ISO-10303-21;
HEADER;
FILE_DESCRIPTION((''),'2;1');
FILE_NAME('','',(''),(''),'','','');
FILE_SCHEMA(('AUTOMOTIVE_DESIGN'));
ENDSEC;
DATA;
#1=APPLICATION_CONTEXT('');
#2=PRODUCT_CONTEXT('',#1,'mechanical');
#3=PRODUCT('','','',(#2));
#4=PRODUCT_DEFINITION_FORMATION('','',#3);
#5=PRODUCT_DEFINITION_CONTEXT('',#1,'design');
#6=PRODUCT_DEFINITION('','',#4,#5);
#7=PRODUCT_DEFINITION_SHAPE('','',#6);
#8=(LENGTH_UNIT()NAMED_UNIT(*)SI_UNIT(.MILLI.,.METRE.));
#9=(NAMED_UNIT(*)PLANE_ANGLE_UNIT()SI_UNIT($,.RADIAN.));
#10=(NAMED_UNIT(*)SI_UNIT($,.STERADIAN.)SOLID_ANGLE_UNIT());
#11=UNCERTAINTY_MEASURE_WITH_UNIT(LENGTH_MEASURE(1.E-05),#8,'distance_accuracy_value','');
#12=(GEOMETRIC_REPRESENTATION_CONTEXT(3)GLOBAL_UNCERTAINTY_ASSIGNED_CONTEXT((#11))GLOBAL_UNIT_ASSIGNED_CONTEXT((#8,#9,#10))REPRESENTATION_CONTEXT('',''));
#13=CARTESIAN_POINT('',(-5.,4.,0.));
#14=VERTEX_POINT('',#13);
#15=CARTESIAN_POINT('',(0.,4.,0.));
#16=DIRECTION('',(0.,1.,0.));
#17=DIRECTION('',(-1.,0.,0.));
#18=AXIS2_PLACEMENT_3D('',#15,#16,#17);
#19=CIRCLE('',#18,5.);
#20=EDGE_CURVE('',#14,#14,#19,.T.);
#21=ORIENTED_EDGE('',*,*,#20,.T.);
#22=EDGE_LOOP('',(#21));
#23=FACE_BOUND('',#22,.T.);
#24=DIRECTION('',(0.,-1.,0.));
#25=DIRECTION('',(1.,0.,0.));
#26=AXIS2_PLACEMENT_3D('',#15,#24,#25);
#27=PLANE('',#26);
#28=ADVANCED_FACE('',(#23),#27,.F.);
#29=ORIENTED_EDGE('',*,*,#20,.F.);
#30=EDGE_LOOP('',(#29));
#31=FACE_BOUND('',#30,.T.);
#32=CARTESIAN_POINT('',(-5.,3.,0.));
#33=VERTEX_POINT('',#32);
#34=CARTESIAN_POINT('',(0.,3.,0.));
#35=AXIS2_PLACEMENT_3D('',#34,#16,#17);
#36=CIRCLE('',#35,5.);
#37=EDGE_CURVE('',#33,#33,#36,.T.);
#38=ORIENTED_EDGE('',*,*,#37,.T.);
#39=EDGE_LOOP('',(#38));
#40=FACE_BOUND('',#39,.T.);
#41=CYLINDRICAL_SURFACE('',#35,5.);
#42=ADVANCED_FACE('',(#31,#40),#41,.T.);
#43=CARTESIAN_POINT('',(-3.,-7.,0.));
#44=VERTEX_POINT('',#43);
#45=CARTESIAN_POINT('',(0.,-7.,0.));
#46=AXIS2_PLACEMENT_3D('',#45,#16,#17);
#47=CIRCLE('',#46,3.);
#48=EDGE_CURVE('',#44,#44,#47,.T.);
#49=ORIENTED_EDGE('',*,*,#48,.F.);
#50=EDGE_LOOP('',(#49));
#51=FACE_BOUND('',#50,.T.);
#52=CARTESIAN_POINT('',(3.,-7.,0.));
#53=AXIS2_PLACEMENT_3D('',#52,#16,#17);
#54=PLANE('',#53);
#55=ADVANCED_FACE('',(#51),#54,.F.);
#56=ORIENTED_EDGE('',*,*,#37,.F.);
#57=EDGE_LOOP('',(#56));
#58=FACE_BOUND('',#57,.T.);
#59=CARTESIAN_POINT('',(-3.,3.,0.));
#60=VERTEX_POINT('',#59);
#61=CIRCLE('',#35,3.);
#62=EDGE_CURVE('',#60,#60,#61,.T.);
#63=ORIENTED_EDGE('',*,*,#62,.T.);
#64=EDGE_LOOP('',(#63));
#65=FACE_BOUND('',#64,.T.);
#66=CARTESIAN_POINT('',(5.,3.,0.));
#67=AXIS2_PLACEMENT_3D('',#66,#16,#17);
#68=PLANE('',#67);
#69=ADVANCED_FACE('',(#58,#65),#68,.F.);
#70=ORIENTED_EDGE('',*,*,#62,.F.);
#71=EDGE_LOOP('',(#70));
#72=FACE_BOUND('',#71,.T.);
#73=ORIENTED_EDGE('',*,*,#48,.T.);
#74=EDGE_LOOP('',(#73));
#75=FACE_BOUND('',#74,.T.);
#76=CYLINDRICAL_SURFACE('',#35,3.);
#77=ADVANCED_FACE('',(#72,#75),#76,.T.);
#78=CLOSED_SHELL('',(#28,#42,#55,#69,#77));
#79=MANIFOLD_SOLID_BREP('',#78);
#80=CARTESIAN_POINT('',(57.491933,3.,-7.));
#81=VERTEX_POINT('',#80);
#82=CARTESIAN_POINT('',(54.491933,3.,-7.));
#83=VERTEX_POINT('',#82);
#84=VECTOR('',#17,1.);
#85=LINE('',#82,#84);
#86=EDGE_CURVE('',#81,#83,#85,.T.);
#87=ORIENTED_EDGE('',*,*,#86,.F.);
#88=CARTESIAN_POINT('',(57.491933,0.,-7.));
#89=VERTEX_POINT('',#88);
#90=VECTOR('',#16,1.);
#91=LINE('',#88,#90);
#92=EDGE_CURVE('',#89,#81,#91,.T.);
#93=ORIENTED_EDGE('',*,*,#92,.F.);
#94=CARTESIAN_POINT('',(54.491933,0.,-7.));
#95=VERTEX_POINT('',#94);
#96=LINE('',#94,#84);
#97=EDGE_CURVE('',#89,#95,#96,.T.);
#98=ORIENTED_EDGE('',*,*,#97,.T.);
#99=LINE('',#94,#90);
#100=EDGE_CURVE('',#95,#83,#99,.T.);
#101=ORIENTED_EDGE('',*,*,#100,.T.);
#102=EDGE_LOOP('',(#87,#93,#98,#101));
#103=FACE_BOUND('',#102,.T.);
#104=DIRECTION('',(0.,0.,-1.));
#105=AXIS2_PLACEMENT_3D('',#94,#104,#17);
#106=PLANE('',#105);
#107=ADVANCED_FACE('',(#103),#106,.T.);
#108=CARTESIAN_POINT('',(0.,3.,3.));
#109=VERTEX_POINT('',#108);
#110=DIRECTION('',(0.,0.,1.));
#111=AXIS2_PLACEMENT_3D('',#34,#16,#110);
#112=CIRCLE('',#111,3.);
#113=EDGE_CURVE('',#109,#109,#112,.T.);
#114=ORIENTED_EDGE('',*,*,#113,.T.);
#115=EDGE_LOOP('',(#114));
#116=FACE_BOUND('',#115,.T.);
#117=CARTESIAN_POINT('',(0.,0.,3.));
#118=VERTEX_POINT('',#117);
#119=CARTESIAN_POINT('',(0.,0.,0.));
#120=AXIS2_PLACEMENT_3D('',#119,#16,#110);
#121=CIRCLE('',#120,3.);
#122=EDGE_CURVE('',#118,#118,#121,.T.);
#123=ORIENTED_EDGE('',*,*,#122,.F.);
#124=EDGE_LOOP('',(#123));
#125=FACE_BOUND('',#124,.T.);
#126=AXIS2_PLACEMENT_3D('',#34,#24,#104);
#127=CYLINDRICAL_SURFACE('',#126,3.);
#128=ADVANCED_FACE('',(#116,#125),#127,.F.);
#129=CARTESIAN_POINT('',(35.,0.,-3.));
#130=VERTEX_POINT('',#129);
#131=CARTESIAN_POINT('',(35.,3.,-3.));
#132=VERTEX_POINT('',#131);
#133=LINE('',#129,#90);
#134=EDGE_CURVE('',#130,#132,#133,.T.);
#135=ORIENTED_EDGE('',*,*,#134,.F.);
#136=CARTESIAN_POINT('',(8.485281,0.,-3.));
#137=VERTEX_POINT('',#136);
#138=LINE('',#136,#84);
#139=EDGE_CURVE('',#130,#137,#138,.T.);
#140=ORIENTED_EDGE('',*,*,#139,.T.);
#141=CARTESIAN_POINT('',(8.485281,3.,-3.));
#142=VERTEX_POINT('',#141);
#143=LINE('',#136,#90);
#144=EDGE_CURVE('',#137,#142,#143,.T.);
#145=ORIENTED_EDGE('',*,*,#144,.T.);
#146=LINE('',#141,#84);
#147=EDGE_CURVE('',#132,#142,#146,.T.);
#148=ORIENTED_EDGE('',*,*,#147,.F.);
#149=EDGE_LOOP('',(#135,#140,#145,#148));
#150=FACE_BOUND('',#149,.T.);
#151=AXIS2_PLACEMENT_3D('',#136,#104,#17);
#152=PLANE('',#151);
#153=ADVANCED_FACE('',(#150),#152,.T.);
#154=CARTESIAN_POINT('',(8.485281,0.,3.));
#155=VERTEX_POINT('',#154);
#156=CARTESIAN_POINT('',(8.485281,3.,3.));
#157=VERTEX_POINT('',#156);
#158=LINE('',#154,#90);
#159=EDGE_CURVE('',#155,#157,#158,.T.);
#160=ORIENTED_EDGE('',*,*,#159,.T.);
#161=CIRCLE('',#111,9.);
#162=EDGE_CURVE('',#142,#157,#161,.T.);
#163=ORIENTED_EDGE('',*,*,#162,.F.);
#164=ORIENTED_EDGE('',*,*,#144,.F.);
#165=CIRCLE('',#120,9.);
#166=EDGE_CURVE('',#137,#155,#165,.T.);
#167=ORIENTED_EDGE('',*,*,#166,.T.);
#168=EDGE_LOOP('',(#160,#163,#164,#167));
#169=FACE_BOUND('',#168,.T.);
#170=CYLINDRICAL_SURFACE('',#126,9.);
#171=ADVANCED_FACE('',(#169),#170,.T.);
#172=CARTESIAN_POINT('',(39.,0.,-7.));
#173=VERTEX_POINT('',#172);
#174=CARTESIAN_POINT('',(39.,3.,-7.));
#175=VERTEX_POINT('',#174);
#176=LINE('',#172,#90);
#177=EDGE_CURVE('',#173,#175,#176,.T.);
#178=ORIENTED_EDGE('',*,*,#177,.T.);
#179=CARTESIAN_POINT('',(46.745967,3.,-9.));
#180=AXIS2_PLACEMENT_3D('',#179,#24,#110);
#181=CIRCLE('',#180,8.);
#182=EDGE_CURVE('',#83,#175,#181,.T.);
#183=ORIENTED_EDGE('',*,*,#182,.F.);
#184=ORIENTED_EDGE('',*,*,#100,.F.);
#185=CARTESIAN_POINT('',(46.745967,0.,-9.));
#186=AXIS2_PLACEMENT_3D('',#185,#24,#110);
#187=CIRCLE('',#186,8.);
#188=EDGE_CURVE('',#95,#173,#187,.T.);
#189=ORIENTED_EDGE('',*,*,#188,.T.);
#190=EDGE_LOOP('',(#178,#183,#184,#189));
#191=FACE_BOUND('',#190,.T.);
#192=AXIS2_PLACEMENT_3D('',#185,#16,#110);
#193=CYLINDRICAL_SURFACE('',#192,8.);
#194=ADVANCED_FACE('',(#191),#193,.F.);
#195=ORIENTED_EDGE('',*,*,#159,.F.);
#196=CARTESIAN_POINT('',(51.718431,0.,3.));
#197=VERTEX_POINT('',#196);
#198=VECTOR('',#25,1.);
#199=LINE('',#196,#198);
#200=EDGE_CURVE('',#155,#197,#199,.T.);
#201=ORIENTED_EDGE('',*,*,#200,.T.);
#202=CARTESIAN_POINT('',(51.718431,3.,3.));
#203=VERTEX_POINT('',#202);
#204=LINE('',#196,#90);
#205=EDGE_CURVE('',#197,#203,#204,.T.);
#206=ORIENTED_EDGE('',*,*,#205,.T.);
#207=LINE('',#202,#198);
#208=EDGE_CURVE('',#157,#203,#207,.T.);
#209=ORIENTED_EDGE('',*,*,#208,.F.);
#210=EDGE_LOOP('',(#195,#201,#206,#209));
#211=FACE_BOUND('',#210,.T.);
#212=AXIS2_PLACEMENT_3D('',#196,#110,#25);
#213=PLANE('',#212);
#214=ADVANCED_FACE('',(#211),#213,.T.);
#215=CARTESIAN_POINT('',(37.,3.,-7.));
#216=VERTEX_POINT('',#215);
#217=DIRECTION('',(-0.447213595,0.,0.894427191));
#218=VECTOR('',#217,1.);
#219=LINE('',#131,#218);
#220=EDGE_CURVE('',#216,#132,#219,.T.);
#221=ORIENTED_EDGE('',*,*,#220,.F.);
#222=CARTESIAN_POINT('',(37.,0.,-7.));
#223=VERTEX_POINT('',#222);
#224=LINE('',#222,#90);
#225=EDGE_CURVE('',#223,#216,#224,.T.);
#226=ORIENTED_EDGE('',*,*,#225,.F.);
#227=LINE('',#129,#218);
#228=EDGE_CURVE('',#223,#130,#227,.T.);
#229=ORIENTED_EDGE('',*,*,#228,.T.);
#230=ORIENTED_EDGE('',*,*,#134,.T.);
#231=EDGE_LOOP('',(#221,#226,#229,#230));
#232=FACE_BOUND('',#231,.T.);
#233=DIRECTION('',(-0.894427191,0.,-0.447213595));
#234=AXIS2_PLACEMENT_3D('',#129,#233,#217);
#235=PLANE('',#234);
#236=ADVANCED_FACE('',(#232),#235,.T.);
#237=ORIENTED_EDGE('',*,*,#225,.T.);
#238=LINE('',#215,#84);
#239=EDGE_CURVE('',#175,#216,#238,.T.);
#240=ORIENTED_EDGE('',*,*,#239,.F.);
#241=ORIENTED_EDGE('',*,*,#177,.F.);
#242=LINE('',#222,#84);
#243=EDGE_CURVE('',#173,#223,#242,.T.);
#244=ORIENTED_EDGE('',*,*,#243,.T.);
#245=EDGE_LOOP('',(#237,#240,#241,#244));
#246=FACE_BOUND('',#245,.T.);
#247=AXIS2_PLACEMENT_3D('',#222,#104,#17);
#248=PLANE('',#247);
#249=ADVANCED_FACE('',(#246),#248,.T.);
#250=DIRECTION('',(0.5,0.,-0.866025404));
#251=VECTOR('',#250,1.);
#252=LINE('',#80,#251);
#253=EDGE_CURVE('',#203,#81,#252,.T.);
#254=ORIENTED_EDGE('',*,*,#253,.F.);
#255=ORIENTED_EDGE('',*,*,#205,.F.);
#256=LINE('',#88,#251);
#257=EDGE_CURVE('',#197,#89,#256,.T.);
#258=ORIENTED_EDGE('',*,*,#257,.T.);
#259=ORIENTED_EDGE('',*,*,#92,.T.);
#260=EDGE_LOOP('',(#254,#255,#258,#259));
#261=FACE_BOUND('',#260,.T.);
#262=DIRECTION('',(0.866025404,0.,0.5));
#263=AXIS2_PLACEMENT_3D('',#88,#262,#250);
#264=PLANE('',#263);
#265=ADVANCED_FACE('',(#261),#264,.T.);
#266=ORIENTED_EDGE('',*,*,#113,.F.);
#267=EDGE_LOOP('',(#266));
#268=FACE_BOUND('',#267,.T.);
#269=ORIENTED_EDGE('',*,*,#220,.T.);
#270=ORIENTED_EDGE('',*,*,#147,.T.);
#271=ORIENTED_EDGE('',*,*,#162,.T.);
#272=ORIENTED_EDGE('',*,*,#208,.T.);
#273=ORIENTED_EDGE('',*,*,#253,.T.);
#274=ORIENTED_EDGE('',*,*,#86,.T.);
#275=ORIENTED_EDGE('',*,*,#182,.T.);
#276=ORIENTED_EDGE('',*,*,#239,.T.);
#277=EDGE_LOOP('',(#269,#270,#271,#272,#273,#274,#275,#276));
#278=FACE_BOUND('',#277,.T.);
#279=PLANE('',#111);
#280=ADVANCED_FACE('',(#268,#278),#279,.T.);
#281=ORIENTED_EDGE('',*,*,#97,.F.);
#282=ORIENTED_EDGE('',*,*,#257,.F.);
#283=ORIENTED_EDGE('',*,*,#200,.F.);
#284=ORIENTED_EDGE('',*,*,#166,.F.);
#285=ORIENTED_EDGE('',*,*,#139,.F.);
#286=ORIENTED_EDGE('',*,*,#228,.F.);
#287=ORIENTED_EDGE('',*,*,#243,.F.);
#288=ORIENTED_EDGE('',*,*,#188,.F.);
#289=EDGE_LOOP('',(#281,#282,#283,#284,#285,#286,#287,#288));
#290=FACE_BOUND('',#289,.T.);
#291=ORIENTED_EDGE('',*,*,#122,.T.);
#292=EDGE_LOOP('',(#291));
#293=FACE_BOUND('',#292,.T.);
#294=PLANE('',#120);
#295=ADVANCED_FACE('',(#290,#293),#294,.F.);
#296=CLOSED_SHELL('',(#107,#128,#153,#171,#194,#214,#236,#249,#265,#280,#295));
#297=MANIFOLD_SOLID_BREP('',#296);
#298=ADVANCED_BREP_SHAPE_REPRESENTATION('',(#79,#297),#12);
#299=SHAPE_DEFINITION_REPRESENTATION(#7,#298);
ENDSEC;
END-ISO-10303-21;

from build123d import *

# Parameters (mm, degrees)
IZIM1_R                     = 9
IZIM1_R_2                   = 3
Y_KSEKLIK_EKSTR_ZYON1_DEPTH = 3
Y_KSEKLIK_EKSTR_ZYON2_DEPTH = 3


with BuildPart() as part:
    # Çizim1 → Yükseklik-Ekstrüzyon1 (new body)
    with BuildSketch(Plane(origin=(0, 0, 0), x_dir=(1, 0, 0), z_dir=(0, 1, 0))):
        Circle(IZIM1_R)
        Circle(IZIM1_R_2, mode=Mode.SUBTRACT)
    extrude(amount=Y_KSEKLIK_EKSTR_ZYON1_DEPTH)

    # Çizim3 → Yükseklik-Ekstrüzyon2 (add)
    with BuildSketch(Plane(origin=(0, 3, 0), x_dir=(1, 0, 0), z_dir=(0, 1, 0))):
        with BuildLine():
            Line((8.485281374, 3), (35, 3))
            Line((35, 3), (37, 7))
            Line((37, 7), (39, 7))
            ThreePointArc((39, 7), (46.745966692, 1), (54.491933385, 7))
            Line((54.491933385, 7), (57.491933385, 7))
            Line((57.491933385, 7), (51.718430693, -3))
            Line((51.718430693, -3), (8.485281374, -3))
            ThreePointArc((8.485281374, -3), (9, 0), (8.485281374, 3))
        make_face()
    extrude(amount=-Y_KSEKLIK_EKSTR_ZYON2_DEPTH)


with BuildPart() as body_2:
    # Çizim5 → Döndür1 (revolve)
    with BuildSketch(Plane.XY):
        Polygon((0, 3), (0, -7), (3, -7), (3, 3), (5, 3), (5, 4), (0, 4), align=None)
    revolve(axis=Axis((0, 3, 0), (0, -1, 0)))


solid = Compound([part.part, body_2.part])
